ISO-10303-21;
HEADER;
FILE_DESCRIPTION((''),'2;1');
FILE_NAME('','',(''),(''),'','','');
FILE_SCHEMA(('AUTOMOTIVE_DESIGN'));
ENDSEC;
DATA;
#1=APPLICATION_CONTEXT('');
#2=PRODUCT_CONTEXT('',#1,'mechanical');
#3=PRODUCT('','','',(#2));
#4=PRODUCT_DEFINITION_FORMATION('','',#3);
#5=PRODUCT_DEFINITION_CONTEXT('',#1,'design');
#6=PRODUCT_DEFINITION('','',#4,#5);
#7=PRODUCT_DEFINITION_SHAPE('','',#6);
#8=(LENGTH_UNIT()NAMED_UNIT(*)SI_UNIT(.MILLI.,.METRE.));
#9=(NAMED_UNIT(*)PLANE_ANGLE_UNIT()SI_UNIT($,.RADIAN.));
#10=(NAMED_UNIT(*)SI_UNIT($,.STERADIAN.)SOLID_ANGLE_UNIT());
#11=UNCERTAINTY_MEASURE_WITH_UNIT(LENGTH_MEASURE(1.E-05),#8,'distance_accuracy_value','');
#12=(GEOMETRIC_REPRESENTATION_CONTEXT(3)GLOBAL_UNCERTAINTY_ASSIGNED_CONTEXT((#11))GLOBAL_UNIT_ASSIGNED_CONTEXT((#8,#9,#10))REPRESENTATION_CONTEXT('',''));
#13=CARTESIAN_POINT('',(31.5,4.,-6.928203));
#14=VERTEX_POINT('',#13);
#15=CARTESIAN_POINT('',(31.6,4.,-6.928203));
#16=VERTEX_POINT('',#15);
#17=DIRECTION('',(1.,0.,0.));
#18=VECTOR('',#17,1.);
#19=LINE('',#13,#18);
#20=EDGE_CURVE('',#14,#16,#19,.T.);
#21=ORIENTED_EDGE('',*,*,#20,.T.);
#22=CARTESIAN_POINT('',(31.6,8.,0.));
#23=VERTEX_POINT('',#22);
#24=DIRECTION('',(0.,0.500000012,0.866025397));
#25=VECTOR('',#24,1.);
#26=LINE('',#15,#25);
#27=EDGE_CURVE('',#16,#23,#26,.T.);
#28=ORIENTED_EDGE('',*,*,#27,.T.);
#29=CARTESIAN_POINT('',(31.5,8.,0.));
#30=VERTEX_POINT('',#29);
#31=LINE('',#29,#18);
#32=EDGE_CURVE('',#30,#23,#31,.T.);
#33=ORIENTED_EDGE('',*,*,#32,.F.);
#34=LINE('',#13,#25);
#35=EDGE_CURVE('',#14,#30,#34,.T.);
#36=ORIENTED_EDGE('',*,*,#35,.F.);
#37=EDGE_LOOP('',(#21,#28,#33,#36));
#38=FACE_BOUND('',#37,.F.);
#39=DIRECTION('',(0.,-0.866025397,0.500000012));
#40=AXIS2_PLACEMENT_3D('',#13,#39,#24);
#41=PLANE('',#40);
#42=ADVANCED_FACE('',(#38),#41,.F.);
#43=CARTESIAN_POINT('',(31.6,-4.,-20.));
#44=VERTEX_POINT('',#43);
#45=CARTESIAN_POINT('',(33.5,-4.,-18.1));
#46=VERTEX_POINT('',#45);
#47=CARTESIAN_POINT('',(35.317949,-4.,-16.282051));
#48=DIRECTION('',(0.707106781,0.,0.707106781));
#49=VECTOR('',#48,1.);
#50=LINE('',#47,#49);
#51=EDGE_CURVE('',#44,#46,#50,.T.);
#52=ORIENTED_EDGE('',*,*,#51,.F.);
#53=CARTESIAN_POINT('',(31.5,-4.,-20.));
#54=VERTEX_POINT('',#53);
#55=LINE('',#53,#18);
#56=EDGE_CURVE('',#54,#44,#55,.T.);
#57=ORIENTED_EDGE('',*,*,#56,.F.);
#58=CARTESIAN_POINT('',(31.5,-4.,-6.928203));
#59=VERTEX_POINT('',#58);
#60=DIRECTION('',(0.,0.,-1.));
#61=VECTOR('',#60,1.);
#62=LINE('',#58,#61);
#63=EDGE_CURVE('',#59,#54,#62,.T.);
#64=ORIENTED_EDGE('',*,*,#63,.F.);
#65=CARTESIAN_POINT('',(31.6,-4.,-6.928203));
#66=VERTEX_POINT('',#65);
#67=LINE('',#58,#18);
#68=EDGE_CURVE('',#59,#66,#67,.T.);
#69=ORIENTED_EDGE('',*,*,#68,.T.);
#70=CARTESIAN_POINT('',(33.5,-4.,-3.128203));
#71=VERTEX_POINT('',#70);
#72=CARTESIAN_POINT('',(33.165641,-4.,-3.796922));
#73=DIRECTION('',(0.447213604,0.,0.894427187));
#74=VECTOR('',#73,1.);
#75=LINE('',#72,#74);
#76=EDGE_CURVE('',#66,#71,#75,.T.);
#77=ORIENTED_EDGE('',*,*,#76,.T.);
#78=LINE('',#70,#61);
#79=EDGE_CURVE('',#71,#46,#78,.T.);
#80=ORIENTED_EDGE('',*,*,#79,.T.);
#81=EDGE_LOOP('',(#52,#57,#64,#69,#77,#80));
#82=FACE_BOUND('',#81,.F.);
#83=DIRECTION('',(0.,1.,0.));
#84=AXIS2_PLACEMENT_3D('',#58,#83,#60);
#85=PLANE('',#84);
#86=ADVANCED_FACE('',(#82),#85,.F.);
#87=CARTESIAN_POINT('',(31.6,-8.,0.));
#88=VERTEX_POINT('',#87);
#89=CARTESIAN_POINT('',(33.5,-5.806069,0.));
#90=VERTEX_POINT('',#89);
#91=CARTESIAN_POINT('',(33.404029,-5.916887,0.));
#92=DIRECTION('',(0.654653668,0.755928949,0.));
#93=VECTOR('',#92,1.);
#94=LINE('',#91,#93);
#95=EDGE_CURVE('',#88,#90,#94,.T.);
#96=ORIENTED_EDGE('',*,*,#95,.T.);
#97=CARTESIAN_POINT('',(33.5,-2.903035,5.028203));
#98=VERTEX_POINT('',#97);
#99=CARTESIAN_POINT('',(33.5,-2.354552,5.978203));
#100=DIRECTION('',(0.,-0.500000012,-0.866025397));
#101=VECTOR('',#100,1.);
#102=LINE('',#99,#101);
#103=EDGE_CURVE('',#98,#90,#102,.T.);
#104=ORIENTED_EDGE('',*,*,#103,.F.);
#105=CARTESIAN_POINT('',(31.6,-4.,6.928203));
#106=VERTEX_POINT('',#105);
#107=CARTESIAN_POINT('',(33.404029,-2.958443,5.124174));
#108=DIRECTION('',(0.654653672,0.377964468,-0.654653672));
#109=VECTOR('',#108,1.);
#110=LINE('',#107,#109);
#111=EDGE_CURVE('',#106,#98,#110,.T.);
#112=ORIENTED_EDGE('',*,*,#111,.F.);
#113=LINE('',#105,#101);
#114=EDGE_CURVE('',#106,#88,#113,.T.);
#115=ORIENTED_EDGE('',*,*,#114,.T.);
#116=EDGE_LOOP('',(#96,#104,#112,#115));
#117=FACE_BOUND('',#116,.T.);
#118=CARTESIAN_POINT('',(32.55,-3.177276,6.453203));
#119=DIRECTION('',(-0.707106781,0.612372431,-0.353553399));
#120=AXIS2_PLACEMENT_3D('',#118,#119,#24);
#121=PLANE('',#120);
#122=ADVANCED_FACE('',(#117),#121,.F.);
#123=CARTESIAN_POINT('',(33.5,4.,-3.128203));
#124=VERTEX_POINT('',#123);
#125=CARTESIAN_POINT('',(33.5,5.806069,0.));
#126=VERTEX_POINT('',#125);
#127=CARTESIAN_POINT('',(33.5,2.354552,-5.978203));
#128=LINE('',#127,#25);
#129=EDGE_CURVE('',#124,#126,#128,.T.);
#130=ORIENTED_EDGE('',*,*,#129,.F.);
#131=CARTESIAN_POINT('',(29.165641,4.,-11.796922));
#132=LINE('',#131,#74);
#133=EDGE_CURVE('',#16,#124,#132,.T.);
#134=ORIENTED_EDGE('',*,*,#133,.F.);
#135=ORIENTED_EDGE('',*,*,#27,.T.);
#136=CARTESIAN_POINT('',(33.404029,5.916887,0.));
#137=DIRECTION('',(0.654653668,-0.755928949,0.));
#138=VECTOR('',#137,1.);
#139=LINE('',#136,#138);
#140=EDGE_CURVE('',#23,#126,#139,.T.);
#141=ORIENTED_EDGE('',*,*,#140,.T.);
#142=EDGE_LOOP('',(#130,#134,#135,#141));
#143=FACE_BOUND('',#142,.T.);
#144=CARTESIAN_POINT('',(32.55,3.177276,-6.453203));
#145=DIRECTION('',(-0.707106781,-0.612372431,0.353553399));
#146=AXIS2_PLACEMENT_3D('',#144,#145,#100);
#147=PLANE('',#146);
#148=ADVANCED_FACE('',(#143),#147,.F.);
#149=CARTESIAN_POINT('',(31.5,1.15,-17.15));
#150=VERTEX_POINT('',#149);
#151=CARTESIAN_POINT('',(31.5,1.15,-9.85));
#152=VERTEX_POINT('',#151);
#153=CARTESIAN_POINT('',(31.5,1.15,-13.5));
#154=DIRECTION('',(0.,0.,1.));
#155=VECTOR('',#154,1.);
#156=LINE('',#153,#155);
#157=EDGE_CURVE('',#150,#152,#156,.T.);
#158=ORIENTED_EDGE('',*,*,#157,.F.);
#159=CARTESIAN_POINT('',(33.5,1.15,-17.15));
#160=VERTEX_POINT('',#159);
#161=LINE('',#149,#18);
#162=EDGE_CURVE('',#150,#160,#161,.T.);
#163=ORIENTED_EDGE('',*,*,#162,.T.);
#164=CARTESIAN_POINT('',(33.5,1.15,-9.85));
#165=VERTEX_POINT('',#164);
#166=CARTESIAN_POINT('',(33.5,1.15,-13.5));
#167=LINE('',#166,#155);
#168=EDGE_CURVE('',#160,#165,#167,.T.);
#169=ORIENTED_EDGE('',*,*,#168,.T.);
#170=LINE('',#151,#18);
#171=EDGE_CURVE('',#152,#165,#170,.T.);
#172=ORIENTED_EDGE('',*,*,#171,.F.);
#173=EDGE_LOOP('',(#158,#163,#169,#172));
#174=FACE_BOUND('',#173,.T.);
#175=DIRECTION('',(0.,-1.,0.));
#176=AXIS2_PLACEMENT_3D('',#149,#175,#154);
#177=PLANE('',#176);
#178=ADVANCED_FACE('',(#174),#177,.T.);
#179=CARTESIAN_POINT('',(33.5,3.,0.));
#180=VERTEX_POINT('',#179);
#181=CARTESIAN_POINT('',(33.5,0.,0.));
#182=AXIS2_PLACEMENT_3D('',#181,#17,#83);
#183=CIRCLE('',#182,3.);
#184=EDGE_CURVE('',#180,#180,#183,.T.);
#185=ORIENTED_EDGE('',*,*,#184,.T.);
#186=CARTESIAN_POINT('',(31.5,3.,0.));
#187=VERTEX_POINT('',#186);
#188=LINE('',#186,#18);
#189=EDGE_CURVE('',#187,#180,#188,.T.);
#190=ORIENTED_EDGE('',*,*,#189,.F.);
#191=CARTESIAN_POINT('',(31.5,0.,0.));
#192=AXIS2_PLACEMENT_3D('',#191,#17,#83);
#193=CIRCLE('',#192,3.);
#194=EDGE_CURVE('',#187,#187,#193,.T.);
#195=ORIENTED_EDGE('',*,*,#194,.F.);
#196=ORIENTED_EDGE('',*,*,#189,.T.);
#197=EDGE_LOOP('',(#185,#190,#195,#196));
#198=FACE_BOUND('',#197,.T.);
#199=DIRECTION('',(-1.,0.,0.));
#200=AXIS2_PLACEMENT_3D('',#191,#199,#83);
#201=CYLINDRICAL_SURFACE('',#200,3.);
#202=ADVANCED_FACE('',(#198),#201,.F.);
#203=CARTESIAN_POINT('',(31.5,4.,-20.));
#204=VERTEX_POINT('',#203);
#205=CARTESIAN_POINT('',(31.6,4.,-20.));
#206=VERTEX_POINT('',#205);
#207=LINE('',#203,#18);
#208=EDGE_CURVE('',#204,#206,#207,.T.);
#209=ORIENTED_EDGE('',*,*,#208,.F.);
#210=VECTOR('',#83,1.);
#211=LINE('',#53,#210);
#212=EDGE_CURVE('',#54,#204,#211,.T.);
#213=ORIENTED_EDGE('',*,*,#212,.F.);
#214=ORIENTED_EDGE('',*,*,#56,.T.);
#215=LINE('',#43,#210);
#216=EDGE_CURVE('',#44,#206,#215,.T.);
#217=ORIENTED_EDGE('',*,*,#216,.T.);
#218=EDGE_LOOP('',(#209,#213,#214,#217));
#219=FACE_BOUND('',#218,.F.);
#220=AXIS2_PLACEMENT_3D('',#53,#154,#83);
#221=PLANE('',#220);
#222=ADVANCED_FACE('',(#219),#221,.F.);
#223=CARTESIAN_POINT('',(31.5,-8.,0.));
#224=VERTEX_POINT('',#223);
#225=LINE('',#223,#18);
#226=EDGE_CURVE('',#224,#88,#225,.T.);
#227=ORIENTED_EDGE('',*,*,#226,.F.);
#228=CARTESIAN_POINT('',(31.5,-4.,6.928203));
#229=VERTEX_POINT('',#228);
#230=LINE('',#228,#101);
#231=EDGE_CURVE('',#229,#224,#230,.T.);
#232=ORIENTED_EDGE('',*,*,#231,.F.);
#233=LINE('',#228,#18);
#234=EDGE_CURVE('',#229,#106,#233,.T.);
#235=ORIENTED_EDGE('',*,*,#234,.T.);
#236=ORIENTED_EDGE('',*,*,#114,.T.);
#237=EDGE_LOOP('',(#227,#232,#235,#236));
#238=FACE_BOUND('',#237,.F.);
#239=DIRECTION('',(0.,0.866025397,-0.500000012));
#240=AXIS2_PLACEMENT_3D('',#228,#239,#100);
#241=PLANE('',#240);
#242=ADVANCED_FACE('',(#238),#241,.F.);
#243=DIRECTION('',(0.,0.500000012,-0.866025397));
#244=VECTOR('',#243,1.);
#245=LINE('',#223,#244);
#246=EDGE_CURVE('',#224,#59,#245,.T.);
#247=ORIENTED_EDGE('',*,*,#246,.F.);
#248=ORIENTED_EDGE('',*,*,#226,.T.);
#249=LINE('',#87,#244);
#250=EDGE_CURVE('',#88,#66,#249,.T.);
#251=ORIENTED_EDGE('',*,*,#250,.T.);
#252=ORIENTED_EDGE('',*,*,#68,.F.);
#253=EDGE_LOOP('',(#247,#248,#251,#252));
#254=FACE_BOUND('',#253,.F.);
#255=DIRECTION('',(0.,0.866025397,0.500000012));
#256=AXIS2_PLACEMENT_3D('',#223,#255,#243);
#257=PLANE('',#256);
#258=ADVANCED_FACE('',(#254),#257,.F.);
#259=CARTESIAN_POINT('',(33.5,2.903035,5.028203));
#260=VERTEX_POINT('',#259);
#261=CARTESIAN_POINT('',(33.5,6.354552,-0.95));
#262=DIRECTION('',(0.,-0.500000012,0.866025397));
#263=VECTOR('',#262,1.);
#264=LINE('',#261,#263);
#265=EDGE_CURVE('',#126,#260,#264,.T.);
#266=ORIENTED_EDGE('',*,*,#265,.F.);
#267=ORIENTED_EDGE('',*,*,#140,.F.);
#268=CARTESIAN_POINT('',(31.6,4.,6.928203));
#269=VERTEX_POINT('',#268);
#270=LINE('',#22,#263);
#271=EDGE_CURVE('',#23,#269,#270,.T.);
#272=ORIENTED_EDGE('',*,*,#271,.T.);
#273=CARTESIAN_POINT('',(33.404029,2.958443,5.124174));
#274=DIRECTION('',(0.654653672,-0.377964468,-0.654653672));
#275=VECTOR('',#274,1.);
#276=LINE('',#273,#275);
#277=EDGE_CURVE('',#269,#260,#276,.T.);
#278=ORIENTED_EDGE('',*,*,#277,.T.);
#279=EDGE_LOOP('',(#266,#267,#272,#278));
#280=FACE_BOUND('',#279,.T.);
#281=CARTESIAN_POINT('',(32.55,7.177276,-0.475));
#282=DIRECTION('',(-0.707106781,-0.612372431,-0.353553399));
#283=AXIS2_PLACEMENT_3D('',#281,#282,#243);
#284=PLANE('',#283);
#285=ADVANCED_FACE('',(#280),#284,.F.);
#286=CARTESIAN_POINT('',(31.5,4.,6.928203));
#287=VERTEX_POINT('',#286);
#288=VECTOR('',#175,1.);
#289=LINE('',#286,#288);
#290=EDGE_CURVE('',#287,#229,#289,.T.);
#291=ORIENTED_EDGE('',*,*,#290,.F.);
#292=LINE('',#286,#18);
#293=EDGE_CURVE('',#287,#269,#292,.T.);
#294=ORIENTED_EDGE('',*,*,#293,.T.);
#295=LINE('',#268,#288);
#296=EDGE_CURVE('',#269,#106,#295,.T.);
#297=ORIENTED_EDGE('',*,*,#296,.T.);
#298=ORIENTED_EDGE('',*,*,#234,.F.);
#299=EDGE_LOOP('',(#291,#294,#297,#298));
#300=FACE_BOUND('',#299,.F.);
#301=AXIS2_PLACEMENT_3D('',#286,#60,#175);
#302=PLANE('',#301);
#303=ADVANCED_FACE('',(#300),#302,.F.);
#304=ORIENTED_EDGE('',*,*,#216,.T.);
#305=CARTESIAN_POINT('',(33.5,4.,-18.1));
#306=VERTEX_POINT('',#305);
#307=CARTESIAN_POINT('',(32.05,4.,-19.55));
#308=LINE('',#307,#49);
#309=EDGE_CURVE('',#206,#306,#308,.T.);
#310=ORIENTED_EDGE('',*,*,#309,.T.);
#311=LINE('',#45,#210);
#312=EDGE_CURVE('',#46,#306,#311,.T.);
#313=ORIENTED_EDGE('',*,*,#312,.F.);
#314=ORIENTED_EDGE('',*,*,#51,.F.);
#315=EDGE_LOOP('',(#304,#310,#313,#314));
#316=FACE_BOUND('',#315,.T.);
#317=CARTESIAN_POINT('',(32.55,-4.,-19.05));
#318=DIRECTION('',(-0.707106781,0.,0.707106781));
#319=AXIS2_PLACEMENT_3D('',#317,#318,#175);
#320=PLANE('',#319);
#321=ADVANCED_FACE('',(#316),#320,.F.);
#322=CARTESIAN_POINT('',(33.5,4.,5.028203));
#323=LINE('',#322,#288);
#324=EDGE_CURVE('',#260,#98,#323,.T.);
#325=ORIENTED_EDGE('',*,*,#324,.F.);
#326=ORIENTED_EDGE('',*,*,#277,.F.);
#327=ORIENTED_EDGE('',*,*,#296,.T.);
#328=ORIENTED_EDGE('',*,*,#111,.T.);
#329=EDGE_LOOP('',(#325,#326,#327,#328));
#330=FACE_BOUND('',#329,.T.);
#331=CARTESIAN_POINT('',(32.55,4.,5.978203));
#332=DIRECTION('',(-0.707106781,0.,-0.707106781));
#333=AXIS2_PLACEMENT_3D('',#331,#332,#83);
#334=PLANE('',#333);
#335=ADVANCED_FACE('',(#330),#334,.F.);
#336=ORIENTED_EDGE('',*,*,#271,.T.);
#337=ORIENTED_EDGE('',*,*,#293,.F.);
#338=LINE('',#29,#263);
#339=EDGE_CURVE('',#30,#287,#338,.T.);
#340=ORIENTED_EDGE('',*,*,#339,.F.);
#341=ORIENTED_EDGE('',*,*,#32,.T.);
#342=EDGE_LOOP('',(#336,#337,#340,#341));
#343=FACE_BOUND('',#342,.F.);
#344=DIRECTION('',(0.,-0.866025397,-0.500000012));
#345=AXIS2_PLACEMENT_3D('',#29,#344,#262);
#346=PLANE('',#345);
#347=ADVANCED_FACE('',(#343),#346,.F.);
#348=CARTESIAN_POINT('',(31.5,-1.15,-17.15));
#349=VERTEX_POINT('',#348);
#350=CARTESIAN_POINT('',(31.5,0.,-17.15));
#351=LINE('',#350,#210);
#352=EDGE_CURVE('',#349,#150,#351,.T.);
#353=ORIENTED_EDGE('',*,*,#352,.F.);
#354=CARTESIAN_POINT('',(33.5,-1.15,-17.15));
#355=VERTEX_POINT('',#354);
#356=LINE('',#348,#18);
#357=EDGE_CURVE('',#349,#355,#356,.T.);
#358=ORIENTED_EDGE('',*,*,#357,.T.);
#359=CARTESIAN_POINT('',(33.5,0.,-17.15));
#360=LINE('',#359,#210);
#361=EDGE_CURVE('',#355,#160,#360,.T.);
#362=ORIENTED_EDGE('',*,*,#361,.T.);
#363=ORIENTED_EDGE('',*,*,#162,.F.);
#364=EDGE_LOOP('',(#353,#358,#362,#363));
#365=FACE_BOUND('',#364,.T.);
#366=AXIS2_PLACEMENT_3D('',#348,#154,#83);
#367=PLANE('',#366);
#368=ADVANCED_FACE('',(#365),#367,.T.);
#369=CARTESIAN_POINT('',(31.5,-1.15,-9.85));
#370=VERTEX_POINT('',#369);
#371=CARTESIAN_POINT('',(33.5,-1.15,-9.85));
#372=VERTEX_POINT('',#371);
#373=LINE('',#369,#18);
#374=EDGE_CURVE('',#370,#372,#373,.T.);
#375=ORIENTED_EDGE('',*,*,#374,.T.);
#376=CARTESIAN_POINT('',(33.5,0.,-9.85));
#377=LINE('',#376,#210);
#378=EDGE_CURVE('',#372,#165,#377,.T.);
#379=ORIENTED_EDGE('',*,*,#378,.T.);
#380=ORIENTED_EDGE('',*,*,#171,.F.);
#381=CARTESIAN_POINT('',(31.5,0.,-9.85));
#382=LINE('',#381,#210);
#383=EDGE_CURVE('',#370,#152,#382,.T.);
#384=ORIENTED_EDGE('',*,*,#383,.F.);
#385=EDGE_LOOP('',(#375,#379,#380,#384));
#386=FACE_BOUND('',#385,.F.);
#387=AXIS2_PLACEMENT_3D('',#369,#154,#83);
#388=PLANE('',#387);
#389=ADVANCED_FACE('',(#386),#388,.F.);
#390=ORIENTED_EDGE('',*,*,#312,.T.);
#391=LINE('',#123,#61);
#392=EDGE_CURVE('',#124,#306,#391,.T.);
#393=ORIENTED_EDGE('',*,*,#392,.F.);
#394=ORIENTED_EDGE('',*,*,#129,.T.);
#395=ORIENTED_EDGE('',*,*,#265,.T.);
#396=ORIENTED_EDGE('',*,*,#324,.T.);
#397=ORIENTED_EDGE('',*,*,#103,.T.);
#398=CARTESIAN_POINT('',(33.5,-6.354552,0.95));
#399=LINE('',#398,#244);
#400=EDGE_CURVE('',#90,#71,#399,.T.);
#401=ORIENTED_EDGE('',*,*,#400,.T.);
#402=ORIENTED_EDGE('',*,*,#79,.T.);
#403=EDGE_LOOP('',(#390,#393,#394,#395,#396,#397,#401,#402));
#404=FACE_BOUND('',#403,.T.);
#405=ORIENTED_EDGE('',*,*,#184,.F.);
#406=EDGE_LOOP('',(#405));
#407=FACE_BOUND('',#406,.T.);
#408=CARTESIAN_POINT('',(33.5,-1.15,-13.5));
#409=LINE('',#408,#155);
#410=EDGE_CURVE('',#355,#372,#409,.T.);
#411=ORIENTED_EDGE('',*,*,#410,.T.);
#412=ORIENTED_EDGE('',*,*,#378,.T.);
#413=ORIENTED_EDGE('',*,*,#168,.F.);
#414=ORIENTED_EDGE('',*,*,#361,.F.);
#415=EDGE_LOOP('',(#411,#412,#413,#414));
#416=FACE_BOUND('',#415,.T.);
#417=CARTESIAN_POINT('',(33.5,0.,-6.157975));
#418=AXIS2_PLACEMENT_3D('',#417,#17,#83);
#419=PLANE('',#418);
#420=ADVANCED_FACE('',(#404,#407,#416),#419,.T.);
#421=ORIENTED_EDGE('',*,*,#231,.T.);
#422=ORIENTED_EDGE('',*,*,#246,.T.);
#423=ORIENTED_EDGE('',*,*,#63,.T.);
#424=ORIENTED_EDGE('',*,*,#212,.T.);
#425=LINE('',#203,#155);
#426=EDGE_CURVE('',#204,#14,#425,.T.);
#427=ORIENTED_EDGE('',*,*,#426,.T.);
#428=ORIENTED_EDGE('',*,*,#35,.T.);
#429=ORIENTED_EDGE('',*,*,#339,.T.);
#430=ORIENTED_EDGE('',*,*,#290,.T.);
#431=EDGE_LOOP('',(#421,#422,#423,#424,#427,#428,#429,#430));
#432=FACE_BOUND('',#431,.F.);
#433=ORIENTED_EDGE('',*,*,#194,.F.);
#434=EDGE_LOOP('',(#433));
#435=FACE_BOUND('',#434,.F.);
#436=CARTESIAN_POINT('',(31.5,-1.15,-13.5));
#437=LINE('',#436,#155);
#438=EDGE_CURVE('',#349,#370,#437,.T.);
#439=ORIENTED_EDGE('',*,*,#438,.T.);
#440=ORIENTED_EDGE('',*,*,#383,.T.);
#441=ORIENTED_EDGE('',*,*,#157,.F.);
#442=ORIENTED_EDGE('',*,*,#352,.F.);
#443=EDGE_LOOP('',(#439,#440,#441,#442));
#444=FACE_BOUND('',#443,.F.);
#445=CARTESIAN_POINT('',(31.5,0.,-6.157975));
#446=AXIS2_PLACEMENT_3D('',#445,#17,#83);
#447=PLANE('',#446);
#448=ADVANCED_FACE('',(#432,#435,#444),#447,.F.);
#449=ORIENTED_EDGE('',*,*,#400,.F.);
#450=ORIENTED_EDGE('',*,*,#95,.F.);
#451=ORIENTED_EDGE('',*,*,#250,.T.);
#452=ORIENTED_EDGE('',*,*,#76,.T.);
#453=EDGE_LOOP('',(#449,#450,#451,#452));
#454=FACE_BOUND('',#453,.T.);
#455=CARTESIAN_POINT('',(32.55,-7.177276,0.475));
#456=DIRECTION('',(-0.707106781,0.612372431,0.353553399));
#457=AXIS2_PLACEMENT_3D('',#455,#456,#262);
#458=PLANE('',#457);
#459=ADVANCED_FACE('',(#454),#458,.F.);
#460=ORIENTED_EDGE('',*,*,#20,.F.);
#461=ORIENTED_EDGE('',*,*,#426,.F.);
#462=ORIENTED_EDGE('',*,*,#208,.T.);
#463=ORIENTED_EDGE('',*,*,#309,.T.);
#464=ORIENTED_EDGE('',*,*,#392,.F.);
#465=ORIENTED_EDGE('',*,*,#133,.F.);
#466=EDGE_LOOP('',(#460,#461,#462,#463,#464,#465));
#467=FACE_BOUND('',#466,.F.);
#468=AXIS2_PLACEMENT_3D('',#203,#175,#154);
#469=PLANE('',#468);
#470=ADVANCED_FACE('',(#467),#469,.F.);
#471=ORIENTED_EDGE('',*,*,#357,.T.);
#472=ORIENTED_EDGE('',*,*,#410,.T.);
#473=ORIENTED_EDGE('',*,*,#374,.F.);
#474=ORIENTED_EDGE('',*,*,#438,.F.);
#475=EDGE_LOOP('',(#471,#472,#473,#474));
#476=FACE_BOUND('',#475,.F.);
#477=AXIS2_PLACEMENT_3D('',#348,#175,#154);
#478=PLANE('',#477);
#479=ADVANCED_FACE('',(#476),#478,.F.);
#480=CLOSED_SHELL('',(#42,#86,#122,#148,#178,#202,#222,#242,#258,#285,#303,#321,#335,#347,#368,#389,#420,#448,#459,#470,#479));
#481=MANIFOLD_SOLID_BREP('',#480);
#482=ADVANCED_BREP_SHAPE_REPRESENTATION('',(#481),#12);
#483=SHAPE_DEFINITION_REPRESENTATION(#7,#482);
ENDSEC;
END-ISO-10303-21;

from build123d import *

# Parameters (mm, degrees)
SKETCH073_R     = 3
SKETCH073_W     = 2.3
SKETCH073_H     = 7.3
PAD053_DEPTH    = 2
CHAMFER_SIZE    = 1.9
CHAMFER006_SIZE = 1.9


with BuildPart() as part:
    # Sketch073 → Pad053 (new body)
    with BuildSketch(Plane.YZ.offset(31.5)):
        Polygon((8, 0), (4, 6.928203), (-4, 6.928203), (-8, 0), (-4, -6.928203), (-4, -20), (4, -20), (4, -6.928203), align=None)
        Circle(SKETCH073_R, mode=Mode.SUBTRACT)
        with Locations((0, -13.5)):
            Rectangle(SKETCH073_W, SKETCH073_H, mode=Mode.SUBTRACT)
    extrude(amount=PAD053_DEPTH)

    # Chamfer
    chamfer_edges = [part.edges().sort_by_distance(p)[0] for p in [
        (33.5, -6, 3.464102),
        (33.5, -6, -3.464102),
        (33.5, 0, 6.928203),
        (33.5, 6, 3.464102),
        (33.5, 6, -3.464102),
    ]]
    chamfer(chamfer_edges, length=CHAMFER_SIZE)

    # Chamfer006
    chamfer006_edges = [part.edges().sort_by_distance(p)[0] for p in [
        (33.5, 0, -20),
    ]]
    chamfer(chamfer006_edges, length=CHAMFER006_SIZE)


solid = part.part
